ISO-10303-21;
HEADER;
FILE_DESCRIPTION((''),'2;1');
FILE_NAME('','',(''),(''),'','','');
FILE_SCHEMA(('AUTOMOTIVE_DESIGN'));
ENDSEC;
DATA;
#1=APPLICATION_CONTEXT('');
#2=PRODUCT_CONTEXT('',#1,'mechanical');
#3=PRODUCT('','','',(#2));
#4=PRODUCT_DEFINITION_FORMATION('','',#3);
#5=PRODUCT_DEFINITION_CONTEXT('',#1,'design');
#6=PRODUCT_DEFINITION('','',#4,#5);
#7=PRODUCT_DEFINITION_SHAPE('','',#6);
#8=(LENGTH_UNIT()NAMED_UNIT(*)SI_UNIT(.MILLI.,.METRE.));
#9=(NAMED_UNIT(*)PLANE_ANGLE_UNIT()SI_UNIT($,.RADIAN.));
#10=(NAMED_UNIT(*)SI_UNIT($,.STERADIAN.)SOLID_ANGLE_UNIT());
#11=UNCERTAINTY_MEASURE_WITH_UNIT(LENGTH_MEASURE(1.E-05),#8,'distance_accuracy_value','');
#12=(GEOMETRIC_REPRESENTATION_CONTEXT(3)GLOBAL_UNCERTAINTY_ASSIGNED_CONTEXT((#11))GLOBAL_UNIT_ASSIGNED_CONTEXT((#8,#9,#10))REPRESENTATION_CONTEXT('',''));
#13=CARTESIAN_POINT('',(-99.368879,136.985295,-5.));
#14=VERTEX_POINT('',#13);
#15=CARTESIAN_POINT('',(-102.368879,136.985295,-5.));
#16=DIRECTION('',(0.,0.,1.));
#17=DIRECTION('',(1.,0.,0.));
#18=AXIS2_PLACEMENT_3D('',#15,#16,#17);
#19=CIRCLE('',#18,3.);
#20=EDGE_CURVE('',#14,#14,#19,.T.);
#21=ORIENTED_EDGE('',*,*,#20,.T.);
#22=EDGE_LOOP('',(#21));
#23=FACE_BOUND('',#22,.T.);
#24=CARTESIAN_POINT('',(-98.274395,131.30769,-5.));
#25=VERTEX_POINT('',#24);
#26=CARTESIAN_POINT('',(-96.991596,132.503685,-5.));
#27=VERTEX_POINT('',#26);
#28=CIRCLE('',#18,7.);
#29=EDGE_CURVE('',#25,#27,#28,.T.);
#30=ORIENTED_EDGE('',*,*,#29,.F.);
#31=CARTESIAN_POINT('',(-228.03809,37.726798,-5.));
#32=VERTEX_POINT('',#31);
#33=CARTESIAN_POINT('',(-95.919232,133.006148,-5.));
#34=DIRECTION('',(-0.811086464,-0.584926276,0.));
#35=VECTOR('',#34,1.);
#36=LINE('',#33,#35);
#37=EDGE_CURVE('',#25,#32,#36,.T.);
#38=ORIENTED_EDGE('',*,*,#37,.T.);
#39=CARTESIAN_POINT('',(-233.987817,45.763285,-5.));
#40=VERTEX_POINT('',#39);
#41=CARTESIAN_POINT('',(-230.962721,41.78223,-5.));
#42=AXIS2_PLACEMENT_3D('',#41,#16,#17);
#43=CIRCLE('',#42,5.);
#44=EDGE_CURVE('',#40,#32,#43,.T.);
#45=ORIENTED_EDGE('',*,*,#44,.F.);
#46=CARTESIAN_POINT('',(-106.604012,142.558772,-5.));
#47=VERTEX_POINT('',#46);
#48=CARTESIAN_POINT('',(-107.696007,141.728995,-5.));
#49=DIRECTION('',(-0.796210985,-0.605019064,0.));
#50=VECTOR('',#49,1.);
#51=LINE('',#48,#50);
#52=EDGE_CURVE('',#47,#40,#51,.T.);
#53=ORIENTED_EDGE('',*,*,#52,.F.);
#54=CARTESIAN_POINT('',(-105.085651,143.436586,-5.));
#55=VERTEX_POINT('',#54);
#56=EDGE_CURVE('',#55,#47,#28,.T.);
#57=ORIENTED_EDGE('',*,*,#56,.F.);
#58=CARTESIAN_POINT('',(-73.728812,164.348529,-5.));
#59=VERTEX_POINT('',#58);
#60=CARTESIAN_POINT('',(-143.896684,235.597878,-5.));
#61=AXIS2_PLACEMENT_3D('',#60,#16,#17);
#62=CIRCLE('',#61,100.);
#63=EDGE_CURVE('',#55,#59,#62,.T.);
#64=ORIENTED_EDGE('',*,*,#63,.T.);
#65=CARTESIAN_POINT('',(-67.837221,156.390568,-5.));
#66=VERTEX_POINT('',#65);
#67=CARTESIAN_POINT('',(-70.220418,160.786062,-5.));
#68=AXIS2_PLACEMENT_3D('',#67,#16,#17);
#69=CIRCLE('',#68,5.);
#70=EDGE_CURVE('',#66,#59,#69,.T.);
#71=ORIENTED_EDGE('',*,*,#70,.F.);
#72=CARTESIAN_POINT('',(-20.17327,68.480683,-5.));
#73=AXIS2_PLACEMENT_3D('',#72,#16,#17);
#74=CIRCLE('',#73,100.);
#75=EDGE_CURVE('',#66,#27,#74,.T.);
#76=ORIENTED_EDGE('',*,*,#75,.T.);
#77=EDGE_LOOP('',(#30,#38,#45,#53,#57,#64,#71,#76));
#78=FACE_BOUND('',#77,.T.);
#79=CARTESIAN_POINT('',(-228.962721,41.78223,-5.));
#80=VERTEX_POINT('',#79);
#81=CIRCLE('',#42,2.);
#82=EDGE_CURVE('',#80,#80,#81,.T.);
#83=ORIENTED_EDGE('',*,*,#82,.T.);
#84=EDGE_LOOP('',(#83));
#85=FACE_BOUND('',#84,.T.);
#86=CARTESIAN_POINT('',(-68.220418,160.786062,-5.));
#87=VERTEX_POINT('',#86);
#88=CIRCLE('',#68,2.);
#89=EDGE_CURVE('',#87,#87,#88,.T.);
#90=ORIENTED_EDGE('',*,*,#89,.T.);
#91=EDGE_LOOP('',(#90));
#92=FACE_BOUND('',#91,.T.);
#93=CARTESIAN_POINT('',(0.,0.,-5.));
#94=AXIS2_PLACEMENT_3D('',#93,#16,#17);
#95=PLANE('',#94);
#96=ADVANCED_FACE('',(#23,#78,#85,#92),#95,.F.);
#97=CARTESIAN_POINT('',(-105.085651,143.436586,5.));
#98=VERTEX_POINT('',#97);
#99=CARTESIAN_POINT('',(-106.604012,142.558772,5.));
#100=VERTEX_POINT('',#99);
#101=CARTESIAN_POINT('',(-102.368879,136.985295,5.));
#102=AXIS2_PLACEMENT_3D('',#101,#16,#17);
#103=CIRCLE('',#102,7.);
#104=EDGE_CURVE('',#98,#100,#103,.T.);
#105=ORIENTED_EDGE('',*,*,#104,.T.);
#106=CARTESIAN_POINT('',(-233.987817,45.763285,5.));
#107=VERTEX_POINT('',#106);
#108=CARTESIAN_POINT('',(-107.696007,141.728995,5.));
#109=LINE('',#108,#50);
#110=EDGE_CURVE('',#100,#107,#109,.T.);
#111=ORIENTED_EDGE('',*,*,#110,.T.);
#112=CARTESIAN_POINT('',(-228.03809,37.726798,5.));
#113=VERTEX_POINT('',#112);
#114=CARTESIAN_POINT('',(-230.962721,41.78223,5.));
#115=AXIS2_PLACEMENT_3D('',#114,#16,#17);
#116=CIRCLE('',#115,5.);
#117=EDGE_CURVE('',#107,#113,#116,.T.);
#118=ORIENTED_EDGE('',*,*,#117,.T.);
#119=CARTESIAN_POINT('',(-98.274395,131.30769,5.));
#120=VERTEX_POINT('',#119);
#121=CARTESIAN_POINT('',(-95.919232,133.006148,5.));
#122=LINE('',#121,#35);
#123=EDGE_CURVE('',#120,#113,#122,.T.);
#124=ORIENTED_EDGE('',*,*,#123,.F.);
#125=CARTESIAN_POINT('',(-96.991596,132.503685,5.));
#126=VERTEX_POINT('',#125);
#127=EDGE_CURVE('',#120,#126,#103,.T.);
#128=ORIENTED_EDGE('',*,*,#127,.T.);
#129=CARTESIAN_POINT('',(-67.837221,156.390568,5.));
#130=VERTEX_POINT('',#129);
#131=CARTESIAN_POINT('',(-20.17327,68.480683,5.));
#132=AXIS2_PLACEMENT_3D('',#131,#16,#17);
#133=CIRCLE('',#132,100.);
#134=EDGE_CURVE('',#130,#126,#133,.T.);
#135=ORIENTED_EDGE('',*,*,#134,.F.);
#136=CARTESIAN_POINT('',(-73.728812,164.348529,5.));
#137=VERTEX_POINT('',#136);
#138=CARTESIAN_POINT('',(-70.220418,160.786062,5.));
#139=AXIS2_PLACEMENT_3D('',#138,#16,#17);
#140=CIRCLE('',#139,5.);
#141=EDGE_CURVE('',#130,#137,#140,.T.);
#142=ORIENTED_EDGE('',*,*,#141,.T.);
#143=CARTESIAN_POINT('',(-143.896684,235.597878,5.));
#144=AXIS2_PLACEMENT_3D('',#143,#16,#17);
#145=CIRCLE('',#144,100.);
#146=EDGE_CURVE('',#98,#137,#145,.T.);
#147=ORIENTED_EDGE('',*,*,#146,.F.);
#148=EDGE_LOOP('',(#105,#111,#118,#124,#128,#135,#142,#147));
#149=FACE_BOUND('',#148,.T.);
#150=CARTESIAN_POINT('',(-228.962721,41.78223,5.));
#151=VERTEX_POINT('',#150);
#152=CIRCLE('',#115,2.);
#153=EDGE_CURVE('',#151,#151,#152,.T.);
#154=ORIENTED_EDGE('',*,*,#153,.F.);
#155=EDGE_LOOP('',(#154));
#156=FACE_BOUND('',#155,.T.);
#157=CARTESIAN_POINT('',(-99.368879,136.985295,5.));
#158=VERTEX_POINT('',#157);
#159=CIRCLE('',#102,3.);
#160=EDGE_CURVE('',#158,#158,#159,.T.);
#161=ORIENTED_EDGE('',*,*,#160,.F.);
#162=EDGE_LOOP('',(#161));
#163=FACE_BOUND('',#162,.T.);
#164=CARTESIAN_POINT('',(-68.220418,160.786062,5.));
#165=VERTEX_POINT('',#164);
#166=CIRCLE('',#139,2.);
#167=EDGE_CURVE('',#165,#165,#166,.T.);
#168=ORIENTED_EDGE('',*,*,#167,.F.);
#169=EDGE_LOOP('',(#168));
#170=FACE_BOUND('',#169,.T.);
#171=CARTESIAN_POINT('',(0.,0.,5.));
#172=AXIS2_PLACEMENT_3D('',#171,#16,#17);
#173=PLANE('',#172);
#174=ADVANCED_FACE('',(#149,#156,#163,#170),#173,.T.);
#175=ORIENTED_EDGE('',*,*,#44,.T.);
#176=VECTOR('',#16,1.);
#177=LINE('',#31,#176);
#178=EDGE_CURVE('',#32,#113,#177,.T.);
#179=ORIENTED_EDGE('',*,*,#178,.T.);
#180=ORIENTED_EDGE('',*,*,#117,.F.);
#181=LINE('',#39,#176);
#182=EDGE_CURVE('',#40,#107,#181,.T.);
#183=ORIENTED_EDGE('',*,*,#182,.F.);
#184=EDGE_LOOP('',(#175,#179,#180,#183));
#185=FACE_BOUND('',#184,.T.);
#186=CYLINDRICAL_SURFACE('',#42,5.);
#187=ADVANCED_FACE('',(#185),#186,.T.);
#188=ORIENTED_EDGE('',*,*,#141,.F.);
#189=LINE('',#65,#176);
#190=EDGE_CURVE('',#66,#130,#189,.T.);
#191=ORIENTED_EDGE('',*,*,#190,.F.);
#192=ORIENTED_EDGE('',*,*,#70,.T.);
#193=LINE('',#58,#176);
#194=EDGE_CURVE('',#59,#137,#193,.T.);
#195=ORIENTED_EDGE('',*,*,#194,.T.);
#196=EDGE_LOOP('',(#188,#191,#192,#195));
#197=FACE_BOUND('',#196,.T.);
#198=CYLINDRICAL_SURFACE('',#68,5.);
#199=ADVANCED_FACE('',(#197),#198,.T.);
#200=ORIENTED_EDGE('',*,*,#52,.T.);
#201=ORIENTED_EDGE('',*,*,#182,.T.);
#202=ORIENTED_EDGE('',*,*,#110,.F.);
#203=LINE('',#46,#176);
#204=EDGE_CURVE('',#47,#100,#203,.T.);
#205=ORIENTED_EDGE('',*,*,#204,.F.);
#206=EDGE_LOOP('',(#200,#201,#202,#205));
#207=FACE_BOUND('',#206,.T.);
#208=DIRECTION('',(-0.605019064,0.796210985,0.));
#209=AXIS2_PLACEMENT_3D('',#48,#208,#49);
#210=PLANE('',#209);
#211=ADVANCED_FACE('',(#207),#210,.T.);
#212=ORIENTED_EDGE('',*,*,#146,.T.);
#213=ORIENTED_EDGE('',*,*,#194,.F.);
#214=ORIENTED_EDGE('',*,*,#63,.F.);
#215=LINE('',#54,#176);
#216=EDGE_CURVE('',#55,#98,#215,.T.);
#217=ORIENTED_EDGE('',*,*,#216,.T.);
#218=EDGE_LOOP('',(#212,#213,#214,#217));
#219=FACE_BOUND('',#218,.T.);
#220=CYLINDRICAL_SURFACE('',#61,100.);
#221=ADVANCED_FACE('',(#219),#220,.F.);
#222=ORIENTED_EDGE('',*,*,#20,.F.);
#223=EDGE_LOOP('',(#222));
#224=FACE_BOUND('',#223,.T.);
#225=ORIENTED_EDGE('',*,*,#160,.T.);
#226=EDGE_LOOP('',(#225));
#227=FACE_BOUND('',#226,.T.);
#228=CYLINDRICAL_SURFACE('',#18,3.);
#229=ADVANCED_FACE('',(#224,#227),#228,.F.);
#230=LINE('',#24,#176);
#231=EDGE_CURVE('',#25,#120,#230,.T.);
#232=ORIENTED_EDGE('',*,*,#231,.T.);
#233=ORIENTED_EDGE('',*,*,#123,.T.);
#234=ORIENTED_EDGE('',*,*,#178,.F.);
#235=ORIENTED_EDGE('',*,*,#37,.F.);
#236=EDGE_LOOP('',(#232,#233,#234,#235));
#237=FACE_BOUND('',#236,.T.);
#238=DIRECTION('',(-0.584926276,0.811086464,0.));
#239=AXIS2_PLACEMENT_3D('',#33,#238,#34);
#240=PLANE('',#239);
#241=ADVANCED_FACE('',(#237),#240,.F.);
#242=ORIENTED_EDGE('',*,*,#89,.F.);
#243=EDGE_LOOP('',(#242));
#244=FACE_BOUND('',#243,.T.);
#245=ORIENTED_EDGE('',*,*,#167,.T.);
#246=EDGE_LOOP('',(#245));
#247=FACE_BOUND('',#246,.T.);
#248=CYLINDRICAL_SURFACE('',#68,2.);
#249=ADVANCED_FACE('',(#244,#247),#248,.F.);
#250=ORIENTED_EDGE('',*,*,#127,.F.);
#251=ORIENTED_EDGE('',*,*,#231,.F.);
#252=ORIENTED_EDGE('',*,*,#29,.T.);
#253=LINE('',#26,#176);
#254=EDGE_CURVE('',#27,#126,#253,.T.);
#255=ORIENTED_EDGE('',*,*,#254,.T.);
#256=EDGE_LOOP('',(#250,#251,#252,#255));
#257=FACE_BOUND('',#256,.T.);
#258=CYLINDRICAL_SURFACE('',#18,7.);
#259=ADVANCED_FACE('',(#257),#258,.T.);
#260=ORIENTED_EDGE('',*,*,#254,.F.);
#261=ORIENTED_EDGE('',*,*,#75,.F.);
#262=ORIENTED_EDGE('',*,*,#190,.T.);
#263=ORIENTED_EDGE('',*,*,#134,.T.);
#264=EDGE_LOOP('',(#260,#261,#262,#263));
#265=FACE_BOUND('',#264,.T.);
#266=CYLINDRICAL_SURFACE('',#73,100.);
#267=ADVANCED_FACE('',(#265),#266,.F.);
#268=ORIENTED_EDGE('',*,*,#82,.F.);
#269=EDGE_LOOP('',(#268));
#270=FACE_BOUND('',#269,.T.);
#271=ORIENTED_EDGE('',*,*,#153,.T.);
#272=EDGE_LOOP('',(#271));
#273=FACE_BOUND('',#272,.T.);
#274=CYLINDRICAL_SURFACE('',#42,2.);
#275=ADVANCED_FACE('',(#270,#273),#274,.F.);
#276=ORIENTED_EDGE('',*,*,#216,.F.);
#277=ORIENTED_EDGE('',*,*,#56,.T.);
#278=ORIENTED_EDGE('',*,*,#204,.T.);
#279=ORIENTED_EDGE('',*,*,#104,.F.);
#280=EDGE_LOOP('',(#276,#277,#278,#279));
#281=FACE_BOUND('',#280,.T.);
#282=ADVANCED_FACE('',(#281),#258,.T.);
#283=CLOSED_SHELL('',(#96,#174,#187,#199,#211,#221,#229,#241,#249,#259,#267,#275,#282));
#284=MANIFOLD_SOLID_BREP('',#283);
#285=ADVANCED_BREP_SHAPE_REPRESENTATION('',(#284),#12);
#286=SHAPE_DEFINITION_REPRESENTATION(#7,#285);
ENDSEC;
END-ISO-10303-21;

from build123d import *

# Parameters (mm, degrees)
BOSS_EXTRUDE1_DEPTH      = 5
BOSS_EXTRUDE1_DEPTH_BACK = 5
SKETCH1_R                = 2
SKETCH1_R_2              = 3


with BuildPart() as part:
    # Sketch1 → Boss-Extrude1 (new, two sides: drawn at the far end of the back side and taken through both)
    with BuildSketch(Plane.XY.offset(-BOSS_EXTRUDE1_DEPTH_BACK)):
        with BuildLine():
            Line((-228.038090057, 37.726797985), (-98.274394802, 131.307690232))
            ThreePointArc((-98.274394802, 131.307690232), (-97.595390257, 131.865353314), (-96.991595947, 132.503685294))
            ThreePointArc((-96.991595947, 132.503685294), (-83.549961909, 145.833090362), (-67.837220551, 156.390567529))
            ThreePointArc((-67.837220551, 156.390567529), (-66.201860471, 163.76115756), (-73.728811684, 164.348529198))
            ThreePointArc((-73.728811684, 164.348529198), (-88.41310273, 152.401891111), (-105.085651055, 143.436585904))
            ThreePointArc((-105.085651055, 143.436585904), (-105.872432299, 143.045420264), (-106.604012177, 142.558772375))
            Line((-106.604012177, 142.558772375), (-233.987816753, 45.76328523))
            ThreePointArc((-233.987816753, 45.76328523), (-234.98127902, 38.807134518), (-228.038090057, 37.726797985))
        make_face()
        with Locations((-230.962721435, 41.782230305)):
            Circle(SKETCH1_R, mode=Mode.SUBTRACT)
        with Locations((-102.368878731, 136.98529548)):
            Circle(SKETCH1_R_2, mode=Mode.SUBTRACT)
        with Locations((-70.220418055, 160.786061774)):
            Circle(SKETCH1_R, mode=Mode.SUBTRACT)
    extrude(amount=BOSS_EXTRUDE1_DEPTH + BOSS_EXTRUDE1_DEPTH_BACK)


solid = part.part
